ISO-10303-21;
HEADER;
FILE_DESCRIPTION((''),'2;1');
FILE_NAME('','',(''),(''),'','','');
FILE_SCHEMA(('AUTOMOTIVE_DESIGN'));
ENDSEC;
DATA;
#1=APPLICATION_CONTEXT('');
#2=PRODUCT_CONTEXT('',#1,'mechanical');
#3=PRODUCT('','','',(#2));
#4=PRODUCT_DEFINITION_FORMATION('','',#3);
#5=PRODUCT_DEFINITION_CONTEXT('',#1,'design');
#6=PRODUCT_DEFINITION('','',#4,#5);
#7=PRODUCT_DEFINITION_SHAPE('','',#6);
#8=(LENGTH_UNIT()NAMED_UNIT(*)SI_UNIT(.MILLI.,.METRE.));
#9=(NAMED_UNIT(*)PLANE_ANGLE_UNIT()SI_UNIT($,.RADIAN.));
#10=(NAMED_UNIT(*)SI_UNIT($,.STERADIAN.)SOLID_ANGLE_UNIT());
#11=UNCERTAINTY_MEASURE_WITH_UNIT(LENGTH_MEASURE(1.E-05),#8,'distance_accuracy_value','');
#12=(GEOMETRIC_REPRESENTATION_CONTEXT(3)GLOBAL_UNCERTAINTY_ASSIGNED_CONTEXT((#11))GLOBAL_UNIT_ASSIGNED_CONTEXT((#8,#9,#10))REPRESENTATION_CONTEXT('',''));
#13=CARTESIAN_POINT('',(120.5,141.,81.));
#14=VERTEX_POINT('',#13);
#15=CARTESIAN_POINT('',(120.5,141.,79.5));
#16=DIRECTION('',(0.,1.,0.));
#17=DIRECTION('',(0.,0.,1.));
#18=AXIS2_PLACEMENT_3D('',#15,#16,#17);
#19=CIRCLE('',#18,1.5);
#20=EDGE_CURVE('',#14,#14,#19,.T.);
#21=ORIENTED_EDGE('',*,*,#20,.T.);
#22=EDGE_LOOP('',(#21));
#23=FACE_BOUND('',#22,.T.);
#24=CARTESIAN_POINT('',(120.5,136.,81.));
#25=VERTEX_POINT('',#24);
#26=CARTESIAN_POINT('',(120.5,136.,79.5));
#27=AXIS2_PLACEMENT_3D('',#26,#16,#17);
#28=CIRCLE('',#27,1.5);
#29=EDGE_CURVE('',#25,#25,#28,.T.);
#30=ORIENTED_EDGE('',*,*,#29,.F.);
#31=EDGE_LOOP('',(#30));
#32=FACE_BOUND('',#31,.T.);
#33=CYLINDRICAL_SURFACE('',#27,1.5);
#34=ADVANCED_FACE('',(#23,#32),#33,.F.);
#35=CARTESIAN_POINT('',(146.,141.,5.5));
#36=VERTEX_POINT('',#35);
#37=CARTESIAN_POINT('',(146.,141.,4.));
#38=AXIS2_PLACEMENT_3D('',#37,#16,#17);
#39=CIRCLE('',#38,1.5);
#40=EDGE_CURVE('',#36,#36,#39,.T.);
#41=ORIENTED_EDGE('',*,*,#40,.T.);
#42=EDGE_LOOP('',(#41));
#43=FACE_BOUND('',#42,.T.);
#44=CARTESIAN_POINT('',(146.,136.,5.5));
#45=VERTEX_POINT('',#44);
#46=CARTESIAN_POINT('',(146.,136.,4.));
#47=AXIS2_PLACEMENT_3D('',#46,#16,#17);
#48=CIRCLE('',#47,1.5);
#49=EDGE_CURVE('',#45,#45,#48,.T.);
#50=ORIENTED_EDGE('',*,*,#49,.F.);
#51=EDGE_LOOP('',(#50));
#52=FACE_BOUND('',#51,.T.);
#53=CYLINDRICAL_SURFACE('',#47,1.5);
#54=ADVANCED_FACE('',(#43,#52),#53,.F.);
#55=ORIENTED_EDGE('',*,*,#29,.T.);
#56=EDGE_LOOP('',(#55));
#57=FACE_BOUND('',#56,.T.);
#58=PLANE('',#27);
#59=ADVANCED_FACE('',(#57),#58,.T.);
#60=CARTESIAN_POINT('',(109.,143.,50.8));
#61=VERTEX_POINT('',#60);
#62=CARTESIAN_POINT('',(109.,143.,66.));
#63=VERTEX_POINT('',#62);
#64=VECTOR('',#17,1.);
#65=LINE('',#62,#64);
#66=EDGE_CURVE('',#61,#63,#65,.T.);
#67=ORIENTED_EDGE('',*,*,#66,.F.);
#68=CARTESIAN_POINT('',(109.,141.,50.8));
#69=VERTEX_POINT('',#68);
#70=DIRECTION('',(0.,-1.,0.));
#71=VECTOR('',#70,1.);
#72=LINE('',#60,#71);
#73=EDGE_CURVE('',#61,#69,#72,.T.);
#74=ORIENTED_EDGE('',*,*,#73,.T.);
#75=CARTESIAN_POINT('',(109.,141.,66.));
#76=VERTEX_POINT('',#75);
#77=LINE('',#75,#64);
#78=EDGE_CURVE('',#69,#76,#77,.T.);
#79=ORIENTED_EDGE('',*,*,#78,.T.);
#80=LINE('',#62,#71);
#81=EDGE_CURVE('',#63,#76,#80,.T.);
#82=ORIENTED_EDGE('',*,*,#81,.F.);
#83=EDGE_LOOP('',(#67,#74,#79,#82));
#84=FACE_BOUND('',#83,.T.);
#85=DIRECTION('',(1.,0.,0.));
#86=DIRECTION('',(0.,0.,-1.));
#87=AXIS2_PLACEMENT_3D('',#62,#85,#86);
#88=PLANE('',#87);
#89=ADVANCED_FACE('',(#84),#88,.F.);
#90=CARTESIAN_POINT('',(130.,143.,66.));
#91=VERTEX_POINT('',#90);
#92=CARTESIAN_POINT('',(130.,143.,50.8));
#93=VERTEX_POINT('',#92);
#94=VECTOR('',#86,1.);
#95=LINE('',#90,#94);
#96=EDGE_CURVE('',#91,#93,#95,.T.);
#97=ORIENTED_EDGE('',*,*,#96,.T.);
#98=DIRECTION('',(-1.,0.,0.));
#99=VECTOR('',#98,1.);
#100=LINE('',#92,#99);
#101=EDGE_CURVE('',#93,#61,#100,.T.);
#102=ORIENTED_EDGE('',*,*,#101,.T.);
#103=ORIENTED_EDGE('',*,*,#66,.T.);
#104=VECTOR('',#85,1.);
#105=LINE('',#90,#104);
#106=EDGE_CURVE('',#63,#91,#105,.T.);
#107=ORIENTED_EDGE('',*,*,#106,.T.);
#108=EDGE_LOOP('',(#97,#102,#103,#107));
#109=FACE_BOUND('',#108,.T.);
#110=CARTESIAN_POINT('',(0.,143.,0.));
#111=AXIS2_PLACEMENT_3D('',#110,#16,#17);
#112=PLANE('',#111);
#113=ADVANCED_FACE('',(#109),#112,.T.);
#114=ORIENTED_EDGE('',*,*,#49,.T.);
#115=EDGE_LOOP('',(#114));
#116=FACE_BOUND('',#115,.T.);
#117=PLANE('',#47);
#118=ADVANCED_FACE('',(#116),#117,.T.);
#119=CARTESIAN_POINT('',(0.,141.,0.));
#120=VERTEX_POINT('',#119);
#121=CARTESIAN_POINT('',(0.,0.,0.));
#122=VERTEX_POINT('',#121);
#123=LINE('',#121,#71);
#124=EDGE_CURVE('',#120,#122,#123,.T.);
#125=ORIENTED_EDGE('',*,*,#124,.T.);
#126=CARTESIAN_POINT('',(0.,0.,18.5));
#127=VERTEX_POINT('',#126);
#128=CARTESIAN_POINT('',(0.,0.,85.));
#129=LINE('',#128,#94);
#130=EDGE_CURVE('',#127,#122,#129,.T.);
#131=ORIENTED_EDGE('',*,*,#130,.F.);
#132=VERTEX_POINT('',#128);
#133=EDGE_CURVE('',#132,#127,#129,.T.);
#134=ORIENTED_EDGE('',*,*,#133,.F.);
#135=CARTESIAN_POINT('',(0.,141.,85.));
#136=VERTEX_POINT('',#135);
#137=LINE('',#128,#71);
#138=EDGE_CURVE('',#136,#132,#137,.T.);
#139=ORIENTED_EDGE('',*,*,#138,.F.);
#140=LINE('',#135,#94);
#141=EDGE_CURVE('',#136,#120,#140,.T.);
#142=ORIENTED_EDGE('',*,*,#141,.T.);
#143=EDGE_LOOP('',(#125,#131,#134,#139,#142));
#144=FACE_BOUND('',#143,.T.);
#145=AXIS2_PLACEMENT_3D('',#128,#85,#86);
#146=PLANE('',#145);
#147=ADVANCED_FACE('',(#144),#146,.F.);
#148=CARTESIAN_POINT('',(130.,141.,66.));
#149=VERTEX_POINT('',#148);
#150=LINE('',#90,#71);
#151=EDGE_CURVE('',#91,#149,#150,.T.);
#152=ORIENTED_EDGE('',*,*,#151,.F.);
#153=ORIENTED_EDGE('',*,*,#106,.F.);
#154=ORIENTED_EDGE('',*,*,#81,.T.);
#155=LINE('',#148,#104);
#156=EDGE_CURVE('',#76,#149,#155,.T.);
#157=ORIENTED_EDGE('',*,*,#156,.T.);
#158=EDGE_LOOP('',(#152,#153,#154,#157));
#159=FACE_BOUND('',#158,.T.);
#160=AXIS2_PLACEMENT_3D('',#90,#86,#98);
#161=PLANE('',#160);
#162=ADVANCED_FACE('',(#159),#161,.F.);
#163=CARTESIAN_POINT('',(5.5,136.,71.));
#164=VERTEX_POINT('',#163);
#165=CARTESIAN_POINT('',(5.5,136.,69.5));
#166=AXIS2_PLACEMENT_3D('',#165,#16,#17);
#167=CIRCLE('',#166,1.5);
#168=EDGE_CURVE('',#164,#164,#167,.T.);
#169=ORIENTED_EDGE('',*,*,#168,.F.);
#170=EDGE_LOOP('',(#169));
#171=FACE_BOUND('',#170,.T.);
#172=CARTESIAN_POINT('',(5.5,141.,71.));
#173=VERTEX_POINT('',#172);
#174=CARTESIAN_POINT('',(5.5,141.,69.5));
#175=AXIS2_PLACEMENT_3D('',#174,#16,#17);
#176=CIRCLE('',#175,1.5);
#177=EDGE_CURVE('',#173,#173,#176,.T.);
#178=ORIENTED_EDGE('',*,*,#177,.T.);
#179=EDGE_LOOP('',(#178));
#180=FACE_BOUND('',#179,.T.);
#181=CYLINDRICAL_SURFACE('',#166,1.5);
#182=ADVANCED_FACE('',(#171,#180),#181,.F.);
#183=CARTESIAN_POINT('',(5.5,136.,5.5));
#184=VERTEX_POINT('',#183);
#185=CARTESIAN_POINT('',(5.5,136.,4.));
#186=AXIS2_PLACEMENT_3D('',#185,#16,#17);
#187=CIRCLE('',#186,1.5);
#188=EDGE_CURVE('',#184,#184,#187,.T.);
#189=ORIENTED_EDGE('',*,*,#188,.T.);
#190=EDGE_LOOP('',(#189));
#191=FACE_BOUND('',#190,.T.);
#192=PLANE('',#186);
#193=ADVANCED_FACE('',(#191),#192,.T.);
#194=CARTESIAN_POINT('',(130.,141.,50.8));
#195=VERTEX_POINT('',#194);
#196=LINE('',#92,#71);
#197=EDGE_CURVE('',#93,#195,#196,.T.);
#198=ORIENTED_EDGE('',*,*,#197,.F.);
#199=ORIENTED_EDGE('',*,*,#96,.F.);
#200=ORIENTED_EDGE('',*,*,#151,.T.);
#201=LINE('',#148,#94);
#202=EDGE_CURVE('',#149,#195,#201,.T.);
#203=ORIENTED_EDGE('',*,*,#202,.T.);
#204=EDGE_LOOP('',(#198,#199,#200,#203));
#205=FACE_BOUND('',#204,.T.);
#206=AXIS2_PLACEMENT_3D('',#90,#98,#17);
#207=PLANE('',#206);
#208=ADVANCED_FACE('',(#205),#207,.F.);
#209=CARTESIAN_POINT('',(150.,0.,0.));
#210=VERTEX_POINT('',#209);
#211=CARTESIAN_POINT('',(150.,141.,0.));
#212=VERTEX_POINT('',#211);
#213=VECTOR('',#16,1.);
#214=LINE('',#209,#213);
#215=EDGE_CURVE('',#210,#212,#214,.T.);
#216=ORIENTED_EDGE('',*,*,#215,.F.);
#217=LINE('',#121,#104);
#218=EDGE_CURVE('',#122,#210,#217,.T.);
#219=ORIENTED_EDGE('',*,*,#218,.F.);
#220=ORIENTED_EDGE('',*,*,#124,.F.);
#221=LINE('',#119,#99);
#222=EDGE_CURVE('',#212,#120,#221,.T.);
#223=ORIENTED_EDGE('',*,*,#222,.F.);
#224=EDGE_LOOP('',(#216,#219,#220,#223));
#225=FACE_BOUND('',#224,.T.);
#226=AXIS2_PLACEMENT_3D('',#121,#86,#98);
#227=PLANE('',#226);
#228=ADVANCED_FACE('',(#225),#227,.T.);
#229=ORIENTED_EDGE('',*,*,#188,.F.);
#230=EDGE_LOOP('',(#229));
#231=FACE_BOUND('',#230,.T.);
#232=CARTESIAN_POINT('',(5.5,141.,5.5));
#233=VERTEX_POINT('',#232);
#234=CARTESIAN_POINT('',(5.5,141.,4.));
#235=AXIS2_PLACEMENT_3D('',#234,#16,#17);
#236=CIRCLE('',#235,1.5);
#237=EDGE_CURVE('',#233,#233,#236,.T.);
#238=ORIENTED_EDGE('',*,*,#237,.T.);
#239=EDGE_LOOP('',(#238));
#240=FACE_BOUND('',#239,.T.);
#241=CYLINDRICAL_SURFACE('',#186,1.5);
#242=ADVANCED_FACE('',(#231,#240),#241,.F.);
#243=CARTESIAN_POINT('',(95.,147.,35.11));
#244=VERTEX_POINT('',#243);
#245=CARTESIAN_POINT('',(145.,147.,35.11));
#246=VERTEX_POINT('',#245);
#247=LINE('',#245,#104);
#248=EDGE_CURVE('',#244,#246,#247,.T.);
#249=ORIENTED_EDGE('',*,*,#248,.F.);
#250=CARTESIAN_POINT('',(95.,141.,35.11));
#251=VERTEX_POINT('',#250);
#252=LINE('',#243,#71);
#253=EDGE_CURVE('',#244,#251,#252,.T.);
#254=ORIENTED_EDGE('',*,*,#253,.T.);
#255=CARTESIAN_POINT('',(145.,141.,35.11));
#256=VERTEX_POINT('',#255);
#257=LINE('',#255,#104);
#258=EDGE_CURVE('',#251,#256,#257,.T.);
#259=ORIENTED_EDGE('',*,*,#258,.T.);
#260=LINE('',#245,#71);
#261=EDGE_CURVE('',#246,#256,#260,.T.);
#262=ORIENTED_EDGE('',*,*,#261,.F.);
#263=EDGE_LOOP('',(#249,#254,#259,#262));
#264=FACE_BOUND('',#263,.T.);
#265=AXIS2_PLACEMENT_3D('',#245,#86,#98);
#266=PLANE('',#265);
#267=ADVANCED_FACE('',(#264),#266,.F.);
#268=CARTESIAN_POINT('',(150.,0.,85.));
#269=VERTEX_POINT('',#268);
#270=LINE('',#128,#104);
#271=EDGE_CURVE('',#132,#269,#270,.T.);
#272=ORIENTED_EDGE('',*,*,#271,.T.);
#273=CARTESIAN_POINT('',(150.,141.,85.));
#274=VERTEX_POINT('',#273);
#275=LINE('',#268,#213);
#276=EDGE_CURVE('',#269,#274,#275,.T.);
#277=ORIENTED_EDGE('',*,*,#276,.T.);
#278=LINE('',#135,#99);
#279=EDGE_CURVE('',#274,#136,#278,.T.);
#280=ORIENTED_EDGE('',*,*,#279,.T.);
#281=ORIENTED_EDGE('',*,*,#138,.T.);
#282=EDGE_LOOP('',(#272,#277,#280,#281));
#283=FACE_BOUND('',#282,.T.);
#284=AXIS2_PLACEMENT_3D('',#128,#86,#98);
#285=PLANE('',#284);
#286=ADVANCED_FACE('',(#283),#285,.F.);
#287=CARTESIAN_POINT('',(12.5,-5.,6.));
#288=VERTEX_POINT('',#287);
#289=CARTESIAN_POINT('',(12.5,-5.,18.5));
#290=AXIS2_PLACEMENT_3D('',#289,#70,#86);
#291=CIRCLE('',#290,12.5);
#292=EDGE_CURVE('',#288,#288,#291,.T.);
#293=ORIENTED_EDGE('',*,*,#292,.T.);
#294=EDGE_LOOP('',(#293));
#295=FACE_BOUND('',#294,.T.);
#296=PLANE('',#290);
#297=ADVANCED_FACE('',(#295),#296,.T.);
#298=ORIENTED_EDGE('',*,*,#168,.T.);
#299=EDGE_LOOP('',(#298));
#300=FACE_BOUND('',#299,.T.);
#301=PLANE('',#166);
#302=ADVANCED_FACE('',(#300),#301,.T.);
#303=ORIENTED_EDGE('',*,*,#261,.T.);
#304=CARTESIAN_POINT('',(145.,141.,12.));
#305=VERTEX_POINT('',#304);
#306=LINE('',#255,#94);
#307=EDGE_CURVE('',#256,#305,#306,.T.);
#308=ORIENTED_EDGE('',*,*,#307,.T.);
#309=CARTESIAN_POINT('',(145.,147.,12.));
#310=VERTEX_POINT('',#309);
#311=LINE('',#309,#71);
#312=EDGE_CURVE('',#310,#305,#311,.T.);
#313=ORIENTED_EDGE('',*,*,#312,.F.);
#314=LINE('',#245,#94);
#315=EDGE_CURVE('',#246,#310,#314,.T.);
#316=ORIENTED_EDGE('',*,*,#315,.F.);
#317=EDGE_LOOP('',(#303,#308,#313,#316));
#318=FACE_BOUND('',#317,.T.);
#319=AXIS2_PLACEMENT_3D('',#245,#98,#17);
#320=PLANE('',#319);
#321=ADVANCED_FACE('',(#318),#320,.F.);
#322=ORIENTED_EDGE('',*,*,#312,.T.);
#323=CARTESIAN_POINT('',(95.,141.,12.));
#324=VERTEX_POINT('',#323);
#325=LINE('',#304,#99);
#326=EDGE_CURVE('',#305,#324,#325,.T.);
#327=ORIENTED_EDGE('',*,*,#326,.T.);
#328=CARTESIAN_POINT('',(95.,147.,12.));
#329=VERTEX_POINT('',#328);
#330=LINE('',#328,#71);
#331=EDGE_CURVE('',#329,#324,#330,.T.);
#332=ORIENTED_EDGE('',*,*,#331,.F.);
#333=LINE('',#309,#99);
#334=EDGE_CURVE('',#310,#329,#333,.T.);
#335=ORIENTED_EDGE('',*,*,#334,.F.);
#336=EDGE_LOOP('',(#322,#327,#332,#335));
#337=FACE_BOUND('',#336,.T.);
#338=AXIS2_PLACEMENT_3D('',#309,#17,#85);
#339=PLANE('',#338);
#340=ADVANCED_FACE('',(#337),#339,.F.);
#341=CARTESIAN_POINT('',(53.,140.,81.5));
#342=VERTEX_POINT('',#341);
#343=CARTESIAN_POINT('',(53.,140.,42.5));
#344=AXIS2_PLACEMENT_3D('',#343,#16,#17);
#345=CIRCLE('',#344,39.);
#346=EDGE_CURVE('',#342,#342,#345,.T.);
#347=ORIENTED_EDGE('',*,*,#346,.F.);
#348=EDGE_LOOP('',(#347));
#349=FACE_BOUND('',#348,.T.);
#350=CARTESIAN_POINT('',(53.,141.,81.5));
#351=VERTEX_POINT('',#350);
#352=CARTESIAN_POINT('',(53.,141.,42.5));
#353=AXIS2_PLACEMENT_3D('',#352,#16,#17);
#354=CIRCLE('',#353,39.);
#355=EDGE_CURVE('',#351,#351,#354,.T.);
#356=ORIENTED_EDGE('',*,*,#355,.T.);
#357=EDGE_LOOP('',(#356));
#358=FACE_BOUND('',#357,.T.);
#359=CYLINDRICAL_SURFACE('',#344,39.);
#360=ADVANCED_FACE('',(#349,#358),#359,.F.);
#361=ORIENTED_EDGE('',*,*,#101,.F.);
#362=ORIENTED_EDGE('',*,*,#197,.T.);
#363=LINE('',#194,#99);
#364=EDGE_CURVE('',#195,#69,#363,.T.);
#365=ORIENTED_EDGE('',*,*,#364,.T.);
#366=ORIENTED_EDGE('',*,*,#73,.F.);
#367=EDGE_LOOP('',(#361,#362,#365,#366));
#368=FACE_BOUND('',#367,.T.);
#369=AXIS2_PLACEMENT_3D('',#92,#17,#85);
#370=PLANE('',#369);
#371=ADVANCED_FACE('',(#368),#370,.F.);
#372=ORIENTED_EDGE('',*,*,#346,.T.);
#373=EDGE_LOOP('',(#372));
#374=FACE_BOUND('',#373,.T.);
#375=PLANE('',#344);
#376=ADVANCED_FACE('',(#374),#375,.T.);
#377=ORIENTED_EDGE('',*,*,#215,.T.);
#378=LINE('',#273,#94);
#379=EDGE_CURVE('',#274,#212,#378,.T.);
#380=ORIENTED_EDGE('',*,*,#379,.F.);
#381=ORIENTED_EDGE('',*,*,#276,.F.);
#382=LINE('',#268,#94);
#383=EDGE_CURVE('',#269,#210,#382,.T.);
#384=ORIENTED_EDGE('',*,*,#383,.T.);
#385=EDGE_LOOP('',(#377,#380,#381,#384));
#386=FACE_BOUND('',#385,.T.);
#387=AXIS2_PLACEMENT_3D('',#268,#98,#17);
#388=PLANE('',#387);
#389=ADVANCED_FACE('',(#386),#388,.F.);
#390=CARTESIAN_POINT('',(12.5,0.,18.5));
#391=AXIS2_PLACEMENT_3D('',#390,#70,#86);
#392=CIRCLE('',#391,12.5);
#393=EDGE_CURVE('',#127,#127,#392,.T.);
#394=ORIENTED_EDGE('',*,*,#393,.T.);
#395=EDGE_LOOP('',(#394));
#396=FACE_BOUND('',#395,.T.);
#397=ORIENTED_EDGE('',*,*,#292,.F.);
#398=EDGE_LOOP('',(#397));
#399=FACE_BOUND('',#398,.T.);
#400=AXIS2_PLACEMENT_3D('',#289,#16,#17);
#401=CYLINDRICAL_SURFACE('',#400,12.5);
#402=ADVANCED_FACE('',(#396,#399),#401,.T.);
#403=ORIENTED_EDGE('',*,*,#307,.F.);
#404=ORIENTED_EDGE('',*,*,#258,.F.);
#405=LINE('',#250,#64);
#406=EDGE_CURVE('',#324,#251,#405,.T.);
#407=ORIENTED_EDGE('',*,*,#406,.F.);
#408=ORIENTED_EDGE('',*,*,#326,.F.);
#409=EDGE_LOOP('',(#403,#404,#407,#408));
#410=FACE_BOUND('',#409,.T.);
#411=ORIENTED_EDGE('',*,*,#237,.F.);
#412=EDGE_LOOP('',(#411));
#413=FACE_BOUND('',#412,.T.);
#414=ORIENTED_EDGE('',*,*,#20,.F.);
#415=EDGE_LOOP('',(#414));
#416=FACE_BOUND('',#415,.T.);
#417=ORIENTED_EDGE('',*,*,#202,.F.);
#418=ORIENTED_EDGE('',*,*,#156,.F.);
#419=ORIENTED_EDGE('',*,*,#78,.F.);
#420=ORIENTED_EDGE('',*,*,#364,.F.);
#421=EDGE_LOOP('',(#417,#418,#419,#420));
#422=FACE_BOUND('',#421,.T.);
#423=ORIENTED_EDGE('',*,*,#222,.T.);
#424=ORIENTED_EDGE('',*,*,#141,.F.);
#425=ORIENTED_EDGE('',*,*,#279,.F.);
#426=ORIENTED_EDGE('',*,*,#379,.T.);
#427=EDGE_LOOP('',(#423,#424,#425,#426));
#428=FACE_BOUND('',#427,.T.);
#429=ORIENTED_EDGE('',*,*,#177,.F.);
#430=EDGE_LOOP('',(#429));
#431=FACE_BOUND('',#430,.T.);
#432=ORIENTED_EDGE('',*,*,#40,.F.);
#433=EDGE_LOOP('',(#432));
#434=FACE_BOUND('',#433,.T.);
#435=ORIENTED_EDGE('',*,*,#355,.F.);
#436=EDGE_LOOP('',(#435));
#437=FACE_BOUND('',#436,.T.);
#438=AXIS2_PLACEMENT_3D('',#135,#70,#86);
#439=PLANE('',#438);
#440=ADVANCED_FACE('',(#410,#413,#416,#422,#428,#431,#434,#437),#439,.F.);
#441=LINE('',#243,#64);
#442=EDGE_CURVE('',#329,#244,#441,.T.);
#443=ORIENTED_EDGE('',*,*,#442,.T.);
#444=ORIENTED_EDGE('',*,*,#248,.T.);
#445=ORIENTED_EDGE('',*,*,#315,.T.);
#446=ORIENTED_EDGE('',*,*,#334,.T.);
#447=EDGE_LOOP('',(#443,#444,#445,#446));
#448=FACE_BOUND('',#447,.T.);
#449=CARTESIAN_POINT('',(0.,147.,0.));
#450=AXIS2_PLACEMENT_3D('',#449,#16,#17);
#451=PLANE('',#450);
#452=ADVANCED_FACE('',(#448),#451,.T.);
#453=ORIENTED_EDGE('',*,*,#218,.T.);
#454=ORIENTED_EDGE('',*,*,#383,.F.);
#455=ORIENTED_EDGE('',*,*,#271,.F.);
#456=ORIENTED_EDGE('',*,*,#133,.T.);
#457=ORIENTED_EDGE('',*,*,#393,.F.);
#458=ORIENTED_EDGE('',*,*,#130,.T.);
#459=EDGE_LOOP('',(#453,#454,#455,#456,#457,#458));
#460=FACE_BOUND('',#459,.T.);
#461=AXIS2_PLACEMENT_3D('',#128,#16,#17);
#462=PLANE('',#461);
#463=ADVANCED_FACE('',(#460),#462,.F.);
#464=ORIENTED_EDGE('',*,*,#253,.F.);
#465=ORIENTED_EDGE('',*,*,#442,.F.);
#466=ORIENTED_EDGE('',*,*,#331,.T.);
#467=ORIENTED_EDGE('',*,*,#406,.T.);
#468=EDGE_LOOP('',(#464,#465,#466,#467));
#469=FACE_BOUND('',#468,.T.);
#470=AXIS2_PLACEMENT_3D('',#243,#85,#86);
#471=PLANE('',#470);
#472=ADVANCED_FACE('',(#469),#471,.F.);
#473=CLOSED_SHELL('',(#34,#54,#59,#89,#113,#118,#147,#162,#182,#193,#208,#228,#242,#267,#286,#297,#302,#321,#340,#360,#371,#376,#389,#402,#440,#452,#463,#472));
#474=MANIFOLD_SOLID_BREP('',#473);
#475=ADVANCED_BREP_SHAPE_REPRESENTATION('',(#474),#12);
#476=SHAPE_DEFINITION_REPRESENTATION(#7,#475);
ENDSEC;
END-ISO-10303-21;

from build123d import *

# Parameters (mm, degrees)
ESQUISSE1_W             = 150
ESQUISSE1_H             = 141
BOSS_EXTRU_1_DEPTH      = 85
ESQUISSE2_W             = 21
ESQUISSE2_H             = 15.2
BOSS_EXTRU_2_DEPTH      = 2
ESQUISSE3_W             = 50
ESQUISSE3_H             = 23.11
BOSS_EXTRU_3_DEPTH      = 6
ESQUISSE4_R             = 39
ENL_V_MAT_EXTRU_1_DEPTH = 1
ESQUISSE5_R             = 1.5
ENL_V_MAT_EXTRU_2_DEPTH = 5
ESQUISSE6_R             = 12.5
BOSS_EXTRU_4_DEPTH      = 5


with BuildPart() as part:
    # Esquisse1 → Boss.-Extru.1 (new body)
    with BuildSketch(Plane.XY):
        with Locations((75, 70.5)):
            Rectangle(ESQUISSE1_W, ESQUISSE1_H)
    extrude(amount=BOSS_EXTRU_1_DEPTH)

    # Esquisse2 → Boss.-Extru.2 (add)
    with BuildSketch(Plane(origin=(0, 141, 0), x_dir=(1, 0, 0), z_dir=(0, 1, 0))):
        with Locations((119.5, -58.4)):
            Rectangle(ESQUISSE2_W, ESQUISSE2_H)
    extrude(amount=BOSS_EXTRU_2_DEPTH)

    # Esquisse3 → Boss.-Extru.3 (add)
    with BuildSketch(Plane(origin=(0, 141, 0), x_dir=(1, 0, 0), z_dir=(0, 1, 0))):
        with Locations((120, -23.555)):
            Rectangle(ESQUISSE3_W, ESQUISSE3_H)
    extrude(amount=BOSS_EXTRU_3_DEPTH)

    # Esquisse4 → Enlèv. mat.-Extru.1 (cut)
    with BuildSketch(Plane(origin=(0, 141, 0), x_dir=(1, 0, 0), z_dir=(0, 1, 0))):
        with Locations(Location((53, -42.5, 0), (0, 0, 270))):
            Circle(ESQUISSE4_R)
    extrude(amount=-ENL_V_MAT_EXTRU_1_DEPTH, mode=Mode.SUBTRACT)

    # Esquisse5 → Enlèv. mat.-Extru.2 (cut)
    with BuildSketch(Plane(origin=(0, 141, 0), x_dir=(1, 0, 0), z_dir=(0, 1, 0))):
        with Locations(Location((120.5, -79.5, 0), (0, 0, 270))):
            Circle(ESQUISSE5_R)
        with Locations(Location((5.5, -69.5, 0), (0, 0, 270))):
            Circle(ESQUISSE5_R)
        with Locations(Location((5.5, -4, 0), (0, 0, 270))):
            Circle(ESQUISSE5_R)
        with Locations(Location((146, -4, 0), (0, 0, 270))):
            Circle(ESQUISSE5_R)
    extrude(amount=-ENL_V_MAT_EXTRU_2_DEPTH, mode=Mode.SUBTRACT)

    # Esquisse6 → Boss.-Extru.4 (add)
    with BuildSketch(Plane(origin=(0, 0, 0), x_dir=(-1, 0, 0), z_dir=(0, -1, 0))):
        with Locations((-12.5, -18.5)):
            Circle(ESQUISSE6_R)
    extrude(amount=BOSS_EXTRU_4_DEPTH)


solid = part.part
